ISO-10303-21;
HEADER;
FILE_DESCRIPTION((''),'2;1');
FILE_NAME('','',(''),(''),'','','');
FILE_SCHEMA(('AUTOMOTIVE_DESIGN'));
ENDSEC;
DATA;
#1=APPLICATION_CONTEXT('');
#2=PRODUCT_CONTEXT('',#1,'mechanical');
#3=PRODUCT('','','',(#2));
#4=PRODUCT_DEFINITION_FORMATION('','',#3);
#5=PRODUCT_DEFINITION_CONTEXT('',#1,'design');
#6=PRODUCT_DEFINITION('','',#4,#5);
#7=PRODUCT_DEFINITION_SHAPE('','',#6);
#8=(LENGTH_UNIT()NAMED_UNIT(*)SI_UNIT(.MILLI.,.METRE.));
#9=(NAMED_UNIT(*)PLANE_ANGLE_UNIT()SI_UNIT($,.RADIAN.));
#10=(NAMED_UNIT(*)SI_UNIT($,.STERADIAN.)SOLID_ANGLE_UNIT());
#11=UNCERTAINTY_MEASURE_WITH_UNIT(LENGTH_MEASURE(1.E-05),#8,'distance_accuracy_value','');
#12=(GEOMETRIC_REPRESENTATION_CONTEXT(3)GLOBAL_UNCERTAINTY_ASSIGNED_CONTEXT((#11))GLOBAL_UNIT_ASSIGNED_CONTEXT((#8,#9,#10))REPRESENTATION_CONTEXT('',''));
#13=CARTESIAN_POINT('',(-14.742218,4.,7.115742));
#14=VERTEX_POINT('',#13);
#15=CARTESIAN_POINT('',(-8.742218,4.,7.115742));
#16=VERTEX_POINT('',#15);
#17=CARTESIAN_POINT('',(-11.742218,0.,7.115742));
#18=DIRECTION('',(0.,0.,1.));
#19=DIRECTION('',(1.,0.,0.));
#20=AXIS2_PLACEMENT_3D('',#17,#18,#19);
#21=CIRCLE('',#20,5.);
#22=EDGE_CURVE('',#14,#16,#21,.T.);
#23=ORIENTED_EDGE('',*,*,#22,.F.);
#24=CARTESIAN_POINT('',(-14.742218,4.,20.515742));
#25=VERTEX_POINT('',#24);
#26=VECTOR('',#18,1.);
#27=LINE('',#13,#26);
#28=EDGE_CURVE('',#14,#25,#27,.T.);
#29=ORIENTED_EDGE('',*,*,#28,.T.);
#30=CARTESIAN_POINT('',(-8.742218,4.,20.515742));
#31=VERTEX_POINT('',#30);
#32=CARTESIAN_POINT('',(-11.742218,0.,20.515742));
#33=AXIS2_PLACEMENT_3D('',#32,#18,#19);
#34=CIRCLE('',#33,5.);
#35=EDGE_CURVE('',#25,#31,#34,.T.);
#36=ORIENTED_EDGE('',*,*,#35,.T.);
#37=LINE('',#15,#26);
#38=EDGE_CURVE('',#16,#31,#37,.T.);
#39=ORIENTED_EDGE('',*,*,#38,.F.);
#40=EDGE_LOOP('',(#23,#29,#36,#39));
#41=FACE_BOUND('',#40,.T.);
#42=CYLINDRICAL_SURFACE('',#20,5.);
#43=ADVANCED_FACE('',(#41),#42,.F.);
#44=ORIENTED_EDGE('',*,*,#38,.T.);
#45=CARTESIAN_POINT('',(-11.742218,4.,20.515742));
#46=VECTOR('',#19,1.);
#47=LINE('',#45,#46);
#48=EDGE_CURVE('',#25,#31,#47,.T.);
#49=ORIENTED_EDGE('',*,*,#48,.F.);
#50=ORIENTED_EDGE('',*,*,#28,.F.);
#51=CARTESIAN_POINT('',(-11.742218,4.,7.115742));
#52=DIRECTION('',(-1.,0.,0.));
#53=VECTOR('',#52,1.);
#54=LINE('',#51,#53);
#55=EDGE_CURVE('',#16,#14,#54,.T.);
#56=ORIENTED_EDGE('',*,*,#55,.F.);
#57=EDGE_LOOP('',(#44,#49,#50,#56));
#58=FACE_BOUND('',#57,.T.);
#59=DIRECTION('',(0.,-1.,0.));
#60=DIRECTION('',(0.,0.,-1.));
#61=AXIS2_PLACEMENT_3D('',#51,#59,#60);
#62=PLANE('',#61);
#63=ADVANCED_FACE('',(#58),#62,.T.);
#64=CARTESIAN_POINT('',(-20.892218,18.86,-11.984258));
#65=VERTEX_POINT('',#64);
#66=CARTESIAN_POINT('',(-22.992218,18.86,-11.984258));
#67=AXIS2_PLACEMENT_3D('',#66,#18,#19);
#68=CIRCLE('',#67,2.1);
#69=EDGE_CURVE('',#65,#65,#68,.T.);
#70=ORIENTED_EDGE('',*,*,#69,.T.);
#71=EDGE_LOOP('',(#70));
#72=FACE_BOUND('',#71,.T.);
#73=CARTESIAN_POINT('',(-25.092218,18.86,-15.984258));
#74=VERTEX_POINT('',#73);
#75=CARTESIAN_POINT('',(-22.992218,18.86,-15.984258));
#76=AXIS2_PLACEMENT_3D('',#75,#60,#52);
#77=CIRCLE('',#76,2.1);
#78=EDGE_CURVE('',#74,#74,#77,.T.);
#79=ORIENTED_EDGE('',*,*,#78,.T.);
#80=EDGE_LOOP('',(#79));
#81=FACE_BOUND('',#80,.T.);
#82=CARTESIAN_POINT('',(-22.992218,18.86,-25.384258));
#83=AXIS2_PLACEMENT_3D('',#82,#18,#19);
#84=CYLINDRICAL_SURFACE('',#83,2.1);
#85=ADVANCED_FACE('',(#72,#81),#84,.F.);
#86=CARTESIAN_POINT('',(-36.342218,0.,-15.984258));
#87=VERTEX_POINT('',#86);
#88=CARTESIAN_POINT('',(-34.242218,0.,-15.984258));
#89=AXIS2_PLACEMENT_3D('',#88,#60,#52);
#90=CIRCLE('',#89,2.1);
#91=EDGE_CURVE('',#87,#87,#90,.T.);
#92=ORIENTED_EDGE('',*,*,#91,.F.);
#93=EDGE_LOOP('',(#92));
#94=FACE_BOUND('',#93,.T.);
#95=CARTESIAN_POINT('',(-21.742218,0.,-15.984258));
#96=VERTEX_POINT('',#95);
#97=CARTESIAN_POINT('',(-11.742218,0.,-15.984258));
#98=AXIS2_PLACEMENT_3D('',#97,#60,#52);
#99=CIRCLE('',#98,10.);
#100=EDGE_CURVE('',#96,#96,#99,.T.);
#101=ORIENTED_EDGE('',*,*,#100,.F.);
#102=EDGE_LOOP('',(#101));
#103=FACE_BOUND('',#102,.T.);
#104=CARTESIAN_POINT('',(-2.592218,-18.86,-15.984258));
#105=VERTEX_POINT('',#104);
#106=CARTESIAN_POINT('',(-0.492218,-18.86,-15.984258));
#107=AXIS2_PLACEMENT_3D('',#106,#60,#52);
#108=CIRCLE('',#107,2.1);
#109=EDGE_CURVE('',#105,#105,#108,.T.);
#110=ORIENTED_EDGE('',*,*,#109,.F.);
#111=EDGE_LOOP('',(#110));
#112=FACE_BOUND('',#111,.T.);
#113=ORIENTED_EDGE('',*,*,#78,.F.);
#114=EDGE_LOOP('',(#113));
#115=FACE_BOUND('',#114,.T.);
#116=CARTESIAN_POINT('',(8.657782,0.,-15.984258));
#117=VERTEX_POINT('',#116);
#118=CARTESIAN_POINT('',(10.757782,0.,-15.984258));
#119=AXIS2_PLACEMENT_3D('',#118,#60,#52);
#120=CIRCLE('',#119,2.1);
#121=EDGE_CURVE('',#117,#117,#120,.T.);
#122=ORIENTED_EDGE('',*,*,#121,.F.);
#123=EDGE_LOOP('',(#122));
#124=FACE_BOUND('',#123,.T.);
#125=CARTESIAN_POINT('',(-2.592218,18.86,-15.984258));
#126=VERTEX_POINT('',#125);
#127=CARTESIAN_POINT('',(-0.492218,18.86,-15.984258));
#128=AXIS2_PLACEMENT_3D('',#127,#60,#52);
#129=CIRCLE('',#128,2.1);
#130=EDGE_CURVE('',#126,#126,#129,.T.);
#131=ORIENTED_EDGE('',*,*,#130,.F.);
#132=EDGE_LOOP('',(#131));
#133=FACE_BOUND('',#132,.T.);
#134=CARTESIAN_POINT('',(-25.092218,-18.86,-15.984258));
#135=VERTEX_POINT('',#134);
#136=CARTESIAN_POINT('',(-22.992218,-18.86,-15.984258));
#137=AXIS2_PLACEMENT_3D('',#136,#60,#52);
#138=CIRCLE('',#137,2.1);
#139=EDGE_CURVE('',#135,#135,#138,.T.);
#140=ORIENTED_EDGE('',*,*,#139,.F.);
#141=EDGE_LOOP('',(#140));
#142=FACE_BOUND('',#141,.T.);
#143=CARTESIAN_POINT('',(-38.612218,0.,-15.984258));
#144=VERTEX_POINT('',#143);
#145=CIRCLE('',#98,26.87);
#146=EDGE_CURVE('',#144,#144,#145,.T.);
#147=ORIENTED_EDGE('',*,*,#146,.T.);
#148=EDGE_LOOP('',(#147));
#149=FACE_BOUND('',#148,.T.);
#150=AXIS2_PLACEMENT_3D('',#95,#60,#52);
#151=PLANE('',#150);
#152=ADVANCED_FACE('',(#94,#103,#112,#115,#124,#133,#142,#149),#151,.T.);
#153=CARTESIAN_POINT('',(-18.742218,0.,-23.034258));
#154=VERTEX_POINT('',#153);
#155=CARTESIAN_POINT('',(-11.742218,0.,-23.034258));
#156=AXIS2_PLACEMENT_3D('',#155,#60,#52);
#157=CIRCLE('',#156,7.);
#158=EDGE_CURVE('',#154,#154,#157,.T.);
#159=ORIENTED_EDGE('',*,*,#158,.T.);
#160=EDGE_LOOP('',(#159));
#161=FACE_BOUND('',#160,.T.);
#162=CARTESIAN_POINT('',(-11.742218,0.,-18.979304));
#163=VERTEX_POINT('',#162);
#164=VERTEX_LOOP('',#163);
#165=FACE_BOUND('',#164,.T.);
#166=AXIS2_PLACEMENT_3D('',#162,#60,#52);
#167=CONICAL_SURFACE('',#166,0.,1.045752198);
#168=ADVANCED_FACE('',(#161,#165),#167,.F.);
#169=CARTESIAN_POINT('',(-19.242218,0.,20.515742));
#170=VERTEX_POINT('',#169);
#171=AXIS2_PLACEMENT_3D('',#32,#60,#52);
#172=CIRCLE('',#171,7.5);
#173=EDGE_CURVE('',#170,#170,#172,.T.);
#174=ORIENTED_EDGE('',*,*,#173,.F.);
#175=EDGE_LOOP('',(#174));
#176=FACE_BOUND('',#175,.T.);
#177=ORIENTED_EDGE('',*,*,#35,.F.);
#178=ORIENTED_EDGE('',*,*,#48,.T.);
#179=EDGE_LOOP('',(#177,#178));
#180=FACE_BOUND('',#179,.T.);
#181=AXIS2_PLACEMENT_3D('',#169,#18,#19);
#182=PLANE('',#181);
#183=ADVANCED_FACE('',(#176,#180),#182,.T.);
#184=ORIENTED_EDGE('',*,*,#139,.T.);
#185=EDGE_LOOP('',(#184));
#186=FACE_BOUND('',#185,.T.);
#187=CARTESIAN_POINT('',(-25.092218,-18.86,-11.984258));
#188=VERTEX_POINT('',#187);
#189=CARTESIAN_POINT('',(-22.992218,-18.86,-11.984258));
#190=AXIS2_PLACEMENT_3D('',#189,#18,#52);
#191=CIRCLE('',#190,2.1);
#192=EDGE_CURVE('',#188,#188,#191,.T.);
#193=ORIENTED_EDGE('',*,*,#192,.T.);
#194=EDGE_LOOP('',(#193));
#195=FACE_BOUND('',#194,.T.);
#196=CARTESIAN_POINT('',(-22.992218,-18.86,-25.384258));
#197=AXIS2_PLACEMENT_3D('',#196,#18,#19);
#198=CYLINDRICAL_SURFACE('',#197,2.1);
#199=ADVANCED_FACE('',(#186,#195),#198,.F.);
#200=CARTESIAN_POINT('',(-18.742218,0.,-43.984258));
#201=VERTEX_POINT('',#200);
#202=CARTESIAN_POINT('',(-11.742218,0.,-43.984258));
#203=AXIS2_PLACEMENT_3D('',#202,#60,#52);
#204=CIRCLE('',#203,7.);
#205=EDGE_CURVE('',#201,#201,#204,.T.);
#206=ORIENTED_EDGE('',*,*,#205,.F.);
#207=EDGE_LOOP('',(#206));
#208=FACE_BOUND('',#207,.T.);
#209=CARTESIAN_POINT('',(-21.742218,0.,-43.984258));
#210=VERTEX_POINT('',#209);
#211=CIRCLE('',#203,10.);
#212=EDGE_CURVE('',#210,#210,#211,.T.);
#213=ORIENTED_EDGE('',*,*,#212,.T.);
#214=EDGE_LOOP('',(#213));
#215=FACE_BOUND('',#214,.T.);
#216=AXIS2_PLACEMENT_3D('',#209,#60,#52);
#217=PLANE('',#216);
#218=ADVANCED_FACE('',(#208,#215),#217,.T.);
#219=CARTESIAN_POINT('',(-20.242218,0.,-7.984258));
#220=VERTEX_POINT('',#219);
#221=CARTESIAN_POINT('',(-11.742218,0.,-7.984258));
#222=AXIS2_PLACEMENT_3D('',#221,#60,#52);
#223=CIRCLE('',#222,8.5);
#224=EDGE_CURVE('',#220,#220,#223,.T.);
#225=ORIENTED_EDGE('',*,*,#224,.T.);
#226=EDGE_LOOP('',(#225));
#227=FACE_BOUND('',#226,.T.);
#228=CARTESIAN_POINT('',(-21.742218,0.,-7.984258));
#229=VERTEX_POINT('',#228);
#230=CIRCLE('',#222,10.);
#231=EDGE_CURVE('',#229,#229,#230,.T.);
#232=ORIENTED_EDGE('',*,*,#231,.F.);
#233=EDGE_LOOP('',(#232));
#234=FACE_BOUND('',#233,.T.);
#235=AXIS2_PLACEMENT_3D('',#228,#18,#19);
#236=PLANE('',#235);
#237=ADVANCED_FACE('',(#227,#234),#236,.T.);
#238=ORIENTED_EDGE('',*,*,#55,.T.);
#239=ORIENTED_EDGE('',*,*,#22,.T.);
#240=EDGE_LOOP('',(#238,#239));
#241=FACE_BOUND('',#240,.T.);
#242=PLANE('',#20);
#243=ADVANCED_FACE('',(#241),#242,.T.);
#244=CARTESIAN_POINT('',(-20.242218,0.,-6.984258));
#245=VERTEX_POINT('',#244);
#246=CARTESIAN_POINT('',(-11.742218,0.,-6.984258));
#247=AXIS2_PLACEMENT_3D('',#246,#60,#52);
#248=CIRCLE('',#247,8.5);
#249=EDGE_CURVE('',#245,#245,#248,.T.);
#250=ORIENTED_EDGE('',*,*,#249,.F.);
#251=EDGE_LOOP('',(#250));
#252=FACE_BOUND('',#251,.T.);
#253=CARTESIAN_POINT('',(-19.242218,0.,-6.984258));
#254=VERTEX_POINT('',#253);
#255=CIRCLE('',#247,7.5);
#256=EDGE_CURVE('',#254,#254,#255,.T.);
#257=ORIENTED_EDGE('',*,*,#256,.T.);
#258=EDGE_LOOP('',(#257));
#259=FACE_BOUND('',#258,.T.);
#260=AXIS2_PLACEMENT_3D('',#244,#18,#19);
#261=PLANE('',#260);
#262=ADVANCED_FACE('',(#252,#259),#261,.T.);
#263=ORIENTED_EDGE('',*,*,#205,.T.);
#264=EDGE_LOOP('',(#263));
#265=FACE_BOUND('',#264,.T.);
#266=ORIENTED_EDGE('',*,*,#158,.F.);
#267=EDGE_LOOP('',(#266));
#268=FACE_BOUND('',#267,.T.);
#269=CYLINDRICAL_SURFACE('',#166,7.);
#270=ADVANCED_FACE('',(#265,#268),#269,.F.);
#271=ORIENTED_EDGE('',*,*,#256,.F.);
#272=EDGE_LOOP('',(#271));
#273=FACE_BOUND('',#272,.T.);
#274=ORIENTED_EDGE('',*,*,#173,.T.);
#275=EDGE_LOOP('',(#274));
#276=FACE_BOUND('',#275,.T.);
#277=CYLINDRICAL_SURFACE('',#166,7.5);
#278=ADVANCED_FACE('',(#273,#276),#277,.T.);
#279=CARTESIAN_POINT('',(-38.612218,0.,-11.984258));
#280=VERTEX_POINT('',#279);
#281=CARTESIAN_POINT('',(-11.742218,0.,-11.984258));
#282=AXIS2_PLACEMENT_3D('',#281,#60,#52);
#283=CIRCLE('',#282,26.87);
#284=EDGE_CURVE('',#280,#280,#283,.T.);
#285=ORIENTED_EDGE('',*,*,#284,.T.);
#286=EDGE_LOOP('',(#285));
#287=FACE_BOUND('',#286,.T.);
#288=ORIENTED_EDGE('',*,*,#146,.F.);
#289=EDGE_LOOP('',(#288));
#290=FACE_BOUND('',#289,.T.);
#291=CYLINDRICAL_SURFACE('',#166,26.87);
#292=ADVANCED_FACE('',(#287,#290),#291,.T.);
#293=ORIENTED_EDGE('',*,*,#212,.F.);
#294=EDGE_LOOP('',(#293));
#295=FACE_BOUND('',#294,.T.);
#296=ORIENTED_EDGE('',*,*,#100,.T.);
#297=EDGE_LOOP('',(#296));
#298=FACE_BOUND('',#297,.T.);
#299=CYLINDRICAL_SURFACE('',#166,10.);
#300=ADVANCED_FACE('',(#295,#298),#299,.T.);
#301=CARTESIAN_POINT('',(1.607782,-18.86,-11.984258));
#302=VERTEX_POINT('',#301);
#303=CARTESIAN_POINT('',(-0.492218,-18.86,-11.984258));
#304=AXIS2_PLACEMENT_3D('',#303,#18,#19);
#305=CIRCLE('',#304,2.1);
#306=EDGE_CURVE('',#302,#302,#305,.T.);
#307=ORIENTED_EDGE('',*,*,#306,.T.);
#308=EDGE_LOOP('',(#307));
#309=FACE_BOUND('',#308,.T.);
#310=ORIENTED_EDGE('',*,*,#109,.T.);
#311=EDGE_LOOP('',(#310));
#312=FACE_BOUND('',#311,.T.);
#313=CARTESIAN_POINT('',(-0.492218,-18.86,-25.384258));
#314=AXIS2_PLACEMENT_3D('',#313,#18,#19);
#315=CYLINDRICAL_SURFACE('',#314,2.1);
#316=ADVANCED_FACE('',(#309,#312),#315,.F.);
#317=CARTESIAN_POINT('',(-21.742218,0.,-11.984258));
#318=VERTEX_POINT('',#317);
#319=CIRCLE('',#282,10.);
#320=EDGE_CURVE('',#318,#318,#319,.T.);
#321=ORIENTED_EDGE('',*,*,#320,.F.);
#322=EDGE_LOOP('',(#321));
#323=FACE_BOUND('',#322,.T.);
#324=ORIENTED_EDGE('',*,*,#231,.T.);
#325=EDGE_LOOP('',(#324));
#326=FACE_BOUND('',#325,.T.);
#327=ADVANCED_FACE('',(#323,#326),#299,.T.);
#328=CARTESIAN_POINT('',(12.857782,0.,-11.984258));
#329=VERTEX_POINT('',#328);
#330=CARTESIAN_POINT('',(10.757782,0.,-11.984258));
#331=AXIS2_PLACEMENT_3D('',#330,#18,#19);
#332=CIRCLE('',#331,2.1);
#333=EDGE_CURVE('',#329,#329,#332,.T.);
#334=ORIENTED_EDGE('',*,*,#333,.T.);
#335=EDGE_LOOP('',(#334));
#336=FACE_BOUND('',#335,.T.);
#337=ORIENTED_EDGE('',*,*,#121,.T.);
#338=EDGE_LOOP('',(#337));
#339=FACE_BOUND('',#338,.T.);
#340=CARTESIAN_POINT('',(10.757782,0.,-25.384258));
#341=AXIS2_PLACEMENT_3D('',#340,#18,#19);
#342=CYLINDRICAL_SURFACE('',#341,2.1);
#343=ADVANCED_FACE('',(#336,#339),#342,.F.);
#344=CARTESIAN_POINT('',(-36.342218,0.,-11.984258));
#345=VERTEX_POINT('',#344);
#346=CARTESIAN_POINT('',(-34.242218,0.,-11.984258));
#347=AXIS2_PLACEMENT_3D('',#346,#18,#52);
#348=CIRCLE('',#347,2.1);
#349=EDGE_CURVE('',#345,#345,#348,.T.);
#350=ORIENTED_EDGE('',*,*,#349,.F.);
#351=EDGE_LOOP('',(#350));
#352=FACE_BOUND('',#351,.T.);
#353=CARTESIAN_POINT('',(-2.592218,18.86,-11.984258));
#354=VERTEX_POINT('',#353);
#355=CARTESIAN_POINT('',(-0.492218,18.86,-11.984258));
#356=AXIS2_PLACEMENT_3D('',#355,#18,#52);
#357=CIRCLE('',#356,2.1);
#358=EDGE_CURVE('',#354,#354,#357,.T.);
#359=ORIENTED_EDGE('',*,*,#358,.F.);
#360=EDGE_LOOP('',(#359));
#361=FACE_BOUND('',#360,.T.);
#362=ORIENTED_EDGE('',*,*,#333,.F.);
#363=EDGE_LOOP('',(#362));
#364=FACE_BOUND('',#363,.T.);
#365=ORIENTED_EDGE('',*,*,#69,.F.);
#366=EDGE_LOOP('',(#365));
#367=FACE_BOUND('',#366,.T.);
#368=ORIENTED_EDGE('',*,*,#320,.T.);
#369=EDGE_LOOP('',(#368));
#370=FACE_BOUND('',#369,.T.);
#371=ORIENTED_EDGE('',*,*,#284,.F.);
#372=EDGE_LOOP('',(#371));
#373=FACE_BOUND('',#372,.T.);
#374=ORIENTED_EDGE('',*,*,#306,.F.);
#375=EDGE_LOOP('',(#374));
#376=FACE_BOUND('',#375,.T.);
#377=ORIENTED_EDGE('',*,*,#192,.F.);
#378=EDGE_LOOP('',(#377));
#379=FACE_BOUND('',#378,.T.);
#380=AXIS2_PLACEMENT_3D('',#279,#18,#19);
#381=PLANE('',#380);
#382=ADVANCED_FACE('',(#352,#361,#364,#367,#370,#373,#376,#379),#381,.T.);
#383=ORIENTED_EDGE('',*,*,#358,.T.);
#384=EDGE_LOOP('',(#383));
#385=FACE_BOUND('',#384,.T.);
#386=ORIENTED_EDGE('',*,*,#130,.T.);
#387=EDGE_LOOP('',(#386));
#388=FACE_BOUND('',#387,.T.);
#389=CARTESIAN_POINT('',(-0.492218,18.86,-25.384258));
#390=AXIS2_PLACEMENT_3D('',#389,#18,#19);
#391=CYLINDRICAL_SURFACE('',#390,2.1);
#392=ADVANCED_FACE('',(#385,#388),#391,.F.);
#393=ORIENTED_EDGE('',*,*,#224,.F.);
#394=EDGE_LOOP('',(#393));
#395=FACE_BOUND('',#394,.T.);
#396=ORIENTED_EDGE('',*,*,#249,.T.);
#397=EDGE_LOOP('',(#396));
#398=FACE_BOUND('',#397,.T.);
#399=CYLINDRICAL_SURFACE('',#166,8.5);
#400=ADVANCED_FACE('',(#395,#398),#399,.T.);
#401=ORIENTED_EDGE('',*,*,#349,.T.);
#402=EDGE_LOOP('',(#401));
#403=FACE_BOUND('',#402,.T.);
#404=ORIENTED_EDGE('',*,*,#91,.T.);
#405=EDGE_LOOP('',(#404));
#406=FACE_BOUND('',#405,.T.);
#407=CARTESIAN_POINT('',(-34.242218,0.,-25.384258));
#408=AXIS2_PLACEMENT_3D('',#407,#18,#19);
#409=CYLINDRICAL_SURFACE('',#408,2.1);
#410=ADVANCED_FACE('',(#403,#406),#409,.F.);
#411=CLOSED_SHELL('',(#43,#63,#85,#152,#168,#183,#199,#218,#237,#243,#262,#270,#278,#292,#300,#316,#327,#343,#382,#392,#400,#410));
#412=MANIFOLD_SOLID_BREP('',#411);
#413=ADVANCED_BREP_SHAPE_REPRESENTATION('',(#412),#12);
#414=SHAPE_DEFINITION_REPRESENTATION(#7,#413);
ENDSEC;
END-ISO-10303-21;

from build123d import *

# Parameters (mm, degrees)
CUT_EXTRUDE_1_DEPTH = 13.4
SKETCH_4_R          = 2.1
CUT_EXTRUDE_2_DEPTH = 13.4


with BuildPart() as part:
    # 草图2 → 旋转1 (revolve)
    with BuildSketch(Plane(origin=(0, 0, 0), x_dir=(1, 0, 0), z_dir=(0, 1, 0))):
        Polygon((-21.742218247, 43.984257603), (-18.742218247, 43.984257603), (-18.742218247, 23.034257603), (-11.742218247, 18.979304476), (-11.742218247, -20.515742397), (-19.242218247, -20.515742397), (-19.242218247, 6.984257603), (-20.242218247, 6.984257603), (-20.242218247, 7.984257603), (-21.742218247, 7.984257603), (-21.742218247, 11.984257603), (-38.612218247, 11.984257603), (-38.612218247, 15.984257603), (-21.742218247, 15.984257603), align=None)
    revolve(axis=Axis((-11.742218247, 0, -18.979304476), (0, 0, 1)))

    # 草图3 → 切除-拉伸1 (cut)
    with BuildSketch(Plane.XY.offset(20.515742397)):
        with BuildLine():
            Line((-11.742218247, 4), (-14.742218247, 4))
            ThreePointArc((-14.742218247, 4), (-11.742218247, -5), (-8.742218247, 4))
            Line((-8.742218247, 4), (-11.742218247, 4))
        make_face()
    extrude(amount=-CUT_EXTRUDE_1_DEPTH, mode=Mode.SUBTRACT)

    # 草图4 → 切除-拉伸2 (cut)
    with BuildSketch(Plane.XY.offset(-11.984257603)):
        with Locations((-0.492218247, -18.86)):
            Circle(SKETCH_4_R)
        with Locations((10.757781753, 0)):
            Circle(SKETCH_4_R)
        with Locations((-22.992218247, -18.86)):
            Circle(SKETCH_4_R)
        with Locations((-34.242218247, 0)):
            Circle(SKETCH_4_R)
        with Locations((-22.992218247, 18.86)):
            Circle(SKETCH_4_R)
        with Locations((-0.492218247, 18.86)):
            Circle(SKETCH_4_R)
    extrude(amount=-CUT_EXTRUDE_2_DEPTH, mode=Mode.SUBTRACT)


solid = part.part
